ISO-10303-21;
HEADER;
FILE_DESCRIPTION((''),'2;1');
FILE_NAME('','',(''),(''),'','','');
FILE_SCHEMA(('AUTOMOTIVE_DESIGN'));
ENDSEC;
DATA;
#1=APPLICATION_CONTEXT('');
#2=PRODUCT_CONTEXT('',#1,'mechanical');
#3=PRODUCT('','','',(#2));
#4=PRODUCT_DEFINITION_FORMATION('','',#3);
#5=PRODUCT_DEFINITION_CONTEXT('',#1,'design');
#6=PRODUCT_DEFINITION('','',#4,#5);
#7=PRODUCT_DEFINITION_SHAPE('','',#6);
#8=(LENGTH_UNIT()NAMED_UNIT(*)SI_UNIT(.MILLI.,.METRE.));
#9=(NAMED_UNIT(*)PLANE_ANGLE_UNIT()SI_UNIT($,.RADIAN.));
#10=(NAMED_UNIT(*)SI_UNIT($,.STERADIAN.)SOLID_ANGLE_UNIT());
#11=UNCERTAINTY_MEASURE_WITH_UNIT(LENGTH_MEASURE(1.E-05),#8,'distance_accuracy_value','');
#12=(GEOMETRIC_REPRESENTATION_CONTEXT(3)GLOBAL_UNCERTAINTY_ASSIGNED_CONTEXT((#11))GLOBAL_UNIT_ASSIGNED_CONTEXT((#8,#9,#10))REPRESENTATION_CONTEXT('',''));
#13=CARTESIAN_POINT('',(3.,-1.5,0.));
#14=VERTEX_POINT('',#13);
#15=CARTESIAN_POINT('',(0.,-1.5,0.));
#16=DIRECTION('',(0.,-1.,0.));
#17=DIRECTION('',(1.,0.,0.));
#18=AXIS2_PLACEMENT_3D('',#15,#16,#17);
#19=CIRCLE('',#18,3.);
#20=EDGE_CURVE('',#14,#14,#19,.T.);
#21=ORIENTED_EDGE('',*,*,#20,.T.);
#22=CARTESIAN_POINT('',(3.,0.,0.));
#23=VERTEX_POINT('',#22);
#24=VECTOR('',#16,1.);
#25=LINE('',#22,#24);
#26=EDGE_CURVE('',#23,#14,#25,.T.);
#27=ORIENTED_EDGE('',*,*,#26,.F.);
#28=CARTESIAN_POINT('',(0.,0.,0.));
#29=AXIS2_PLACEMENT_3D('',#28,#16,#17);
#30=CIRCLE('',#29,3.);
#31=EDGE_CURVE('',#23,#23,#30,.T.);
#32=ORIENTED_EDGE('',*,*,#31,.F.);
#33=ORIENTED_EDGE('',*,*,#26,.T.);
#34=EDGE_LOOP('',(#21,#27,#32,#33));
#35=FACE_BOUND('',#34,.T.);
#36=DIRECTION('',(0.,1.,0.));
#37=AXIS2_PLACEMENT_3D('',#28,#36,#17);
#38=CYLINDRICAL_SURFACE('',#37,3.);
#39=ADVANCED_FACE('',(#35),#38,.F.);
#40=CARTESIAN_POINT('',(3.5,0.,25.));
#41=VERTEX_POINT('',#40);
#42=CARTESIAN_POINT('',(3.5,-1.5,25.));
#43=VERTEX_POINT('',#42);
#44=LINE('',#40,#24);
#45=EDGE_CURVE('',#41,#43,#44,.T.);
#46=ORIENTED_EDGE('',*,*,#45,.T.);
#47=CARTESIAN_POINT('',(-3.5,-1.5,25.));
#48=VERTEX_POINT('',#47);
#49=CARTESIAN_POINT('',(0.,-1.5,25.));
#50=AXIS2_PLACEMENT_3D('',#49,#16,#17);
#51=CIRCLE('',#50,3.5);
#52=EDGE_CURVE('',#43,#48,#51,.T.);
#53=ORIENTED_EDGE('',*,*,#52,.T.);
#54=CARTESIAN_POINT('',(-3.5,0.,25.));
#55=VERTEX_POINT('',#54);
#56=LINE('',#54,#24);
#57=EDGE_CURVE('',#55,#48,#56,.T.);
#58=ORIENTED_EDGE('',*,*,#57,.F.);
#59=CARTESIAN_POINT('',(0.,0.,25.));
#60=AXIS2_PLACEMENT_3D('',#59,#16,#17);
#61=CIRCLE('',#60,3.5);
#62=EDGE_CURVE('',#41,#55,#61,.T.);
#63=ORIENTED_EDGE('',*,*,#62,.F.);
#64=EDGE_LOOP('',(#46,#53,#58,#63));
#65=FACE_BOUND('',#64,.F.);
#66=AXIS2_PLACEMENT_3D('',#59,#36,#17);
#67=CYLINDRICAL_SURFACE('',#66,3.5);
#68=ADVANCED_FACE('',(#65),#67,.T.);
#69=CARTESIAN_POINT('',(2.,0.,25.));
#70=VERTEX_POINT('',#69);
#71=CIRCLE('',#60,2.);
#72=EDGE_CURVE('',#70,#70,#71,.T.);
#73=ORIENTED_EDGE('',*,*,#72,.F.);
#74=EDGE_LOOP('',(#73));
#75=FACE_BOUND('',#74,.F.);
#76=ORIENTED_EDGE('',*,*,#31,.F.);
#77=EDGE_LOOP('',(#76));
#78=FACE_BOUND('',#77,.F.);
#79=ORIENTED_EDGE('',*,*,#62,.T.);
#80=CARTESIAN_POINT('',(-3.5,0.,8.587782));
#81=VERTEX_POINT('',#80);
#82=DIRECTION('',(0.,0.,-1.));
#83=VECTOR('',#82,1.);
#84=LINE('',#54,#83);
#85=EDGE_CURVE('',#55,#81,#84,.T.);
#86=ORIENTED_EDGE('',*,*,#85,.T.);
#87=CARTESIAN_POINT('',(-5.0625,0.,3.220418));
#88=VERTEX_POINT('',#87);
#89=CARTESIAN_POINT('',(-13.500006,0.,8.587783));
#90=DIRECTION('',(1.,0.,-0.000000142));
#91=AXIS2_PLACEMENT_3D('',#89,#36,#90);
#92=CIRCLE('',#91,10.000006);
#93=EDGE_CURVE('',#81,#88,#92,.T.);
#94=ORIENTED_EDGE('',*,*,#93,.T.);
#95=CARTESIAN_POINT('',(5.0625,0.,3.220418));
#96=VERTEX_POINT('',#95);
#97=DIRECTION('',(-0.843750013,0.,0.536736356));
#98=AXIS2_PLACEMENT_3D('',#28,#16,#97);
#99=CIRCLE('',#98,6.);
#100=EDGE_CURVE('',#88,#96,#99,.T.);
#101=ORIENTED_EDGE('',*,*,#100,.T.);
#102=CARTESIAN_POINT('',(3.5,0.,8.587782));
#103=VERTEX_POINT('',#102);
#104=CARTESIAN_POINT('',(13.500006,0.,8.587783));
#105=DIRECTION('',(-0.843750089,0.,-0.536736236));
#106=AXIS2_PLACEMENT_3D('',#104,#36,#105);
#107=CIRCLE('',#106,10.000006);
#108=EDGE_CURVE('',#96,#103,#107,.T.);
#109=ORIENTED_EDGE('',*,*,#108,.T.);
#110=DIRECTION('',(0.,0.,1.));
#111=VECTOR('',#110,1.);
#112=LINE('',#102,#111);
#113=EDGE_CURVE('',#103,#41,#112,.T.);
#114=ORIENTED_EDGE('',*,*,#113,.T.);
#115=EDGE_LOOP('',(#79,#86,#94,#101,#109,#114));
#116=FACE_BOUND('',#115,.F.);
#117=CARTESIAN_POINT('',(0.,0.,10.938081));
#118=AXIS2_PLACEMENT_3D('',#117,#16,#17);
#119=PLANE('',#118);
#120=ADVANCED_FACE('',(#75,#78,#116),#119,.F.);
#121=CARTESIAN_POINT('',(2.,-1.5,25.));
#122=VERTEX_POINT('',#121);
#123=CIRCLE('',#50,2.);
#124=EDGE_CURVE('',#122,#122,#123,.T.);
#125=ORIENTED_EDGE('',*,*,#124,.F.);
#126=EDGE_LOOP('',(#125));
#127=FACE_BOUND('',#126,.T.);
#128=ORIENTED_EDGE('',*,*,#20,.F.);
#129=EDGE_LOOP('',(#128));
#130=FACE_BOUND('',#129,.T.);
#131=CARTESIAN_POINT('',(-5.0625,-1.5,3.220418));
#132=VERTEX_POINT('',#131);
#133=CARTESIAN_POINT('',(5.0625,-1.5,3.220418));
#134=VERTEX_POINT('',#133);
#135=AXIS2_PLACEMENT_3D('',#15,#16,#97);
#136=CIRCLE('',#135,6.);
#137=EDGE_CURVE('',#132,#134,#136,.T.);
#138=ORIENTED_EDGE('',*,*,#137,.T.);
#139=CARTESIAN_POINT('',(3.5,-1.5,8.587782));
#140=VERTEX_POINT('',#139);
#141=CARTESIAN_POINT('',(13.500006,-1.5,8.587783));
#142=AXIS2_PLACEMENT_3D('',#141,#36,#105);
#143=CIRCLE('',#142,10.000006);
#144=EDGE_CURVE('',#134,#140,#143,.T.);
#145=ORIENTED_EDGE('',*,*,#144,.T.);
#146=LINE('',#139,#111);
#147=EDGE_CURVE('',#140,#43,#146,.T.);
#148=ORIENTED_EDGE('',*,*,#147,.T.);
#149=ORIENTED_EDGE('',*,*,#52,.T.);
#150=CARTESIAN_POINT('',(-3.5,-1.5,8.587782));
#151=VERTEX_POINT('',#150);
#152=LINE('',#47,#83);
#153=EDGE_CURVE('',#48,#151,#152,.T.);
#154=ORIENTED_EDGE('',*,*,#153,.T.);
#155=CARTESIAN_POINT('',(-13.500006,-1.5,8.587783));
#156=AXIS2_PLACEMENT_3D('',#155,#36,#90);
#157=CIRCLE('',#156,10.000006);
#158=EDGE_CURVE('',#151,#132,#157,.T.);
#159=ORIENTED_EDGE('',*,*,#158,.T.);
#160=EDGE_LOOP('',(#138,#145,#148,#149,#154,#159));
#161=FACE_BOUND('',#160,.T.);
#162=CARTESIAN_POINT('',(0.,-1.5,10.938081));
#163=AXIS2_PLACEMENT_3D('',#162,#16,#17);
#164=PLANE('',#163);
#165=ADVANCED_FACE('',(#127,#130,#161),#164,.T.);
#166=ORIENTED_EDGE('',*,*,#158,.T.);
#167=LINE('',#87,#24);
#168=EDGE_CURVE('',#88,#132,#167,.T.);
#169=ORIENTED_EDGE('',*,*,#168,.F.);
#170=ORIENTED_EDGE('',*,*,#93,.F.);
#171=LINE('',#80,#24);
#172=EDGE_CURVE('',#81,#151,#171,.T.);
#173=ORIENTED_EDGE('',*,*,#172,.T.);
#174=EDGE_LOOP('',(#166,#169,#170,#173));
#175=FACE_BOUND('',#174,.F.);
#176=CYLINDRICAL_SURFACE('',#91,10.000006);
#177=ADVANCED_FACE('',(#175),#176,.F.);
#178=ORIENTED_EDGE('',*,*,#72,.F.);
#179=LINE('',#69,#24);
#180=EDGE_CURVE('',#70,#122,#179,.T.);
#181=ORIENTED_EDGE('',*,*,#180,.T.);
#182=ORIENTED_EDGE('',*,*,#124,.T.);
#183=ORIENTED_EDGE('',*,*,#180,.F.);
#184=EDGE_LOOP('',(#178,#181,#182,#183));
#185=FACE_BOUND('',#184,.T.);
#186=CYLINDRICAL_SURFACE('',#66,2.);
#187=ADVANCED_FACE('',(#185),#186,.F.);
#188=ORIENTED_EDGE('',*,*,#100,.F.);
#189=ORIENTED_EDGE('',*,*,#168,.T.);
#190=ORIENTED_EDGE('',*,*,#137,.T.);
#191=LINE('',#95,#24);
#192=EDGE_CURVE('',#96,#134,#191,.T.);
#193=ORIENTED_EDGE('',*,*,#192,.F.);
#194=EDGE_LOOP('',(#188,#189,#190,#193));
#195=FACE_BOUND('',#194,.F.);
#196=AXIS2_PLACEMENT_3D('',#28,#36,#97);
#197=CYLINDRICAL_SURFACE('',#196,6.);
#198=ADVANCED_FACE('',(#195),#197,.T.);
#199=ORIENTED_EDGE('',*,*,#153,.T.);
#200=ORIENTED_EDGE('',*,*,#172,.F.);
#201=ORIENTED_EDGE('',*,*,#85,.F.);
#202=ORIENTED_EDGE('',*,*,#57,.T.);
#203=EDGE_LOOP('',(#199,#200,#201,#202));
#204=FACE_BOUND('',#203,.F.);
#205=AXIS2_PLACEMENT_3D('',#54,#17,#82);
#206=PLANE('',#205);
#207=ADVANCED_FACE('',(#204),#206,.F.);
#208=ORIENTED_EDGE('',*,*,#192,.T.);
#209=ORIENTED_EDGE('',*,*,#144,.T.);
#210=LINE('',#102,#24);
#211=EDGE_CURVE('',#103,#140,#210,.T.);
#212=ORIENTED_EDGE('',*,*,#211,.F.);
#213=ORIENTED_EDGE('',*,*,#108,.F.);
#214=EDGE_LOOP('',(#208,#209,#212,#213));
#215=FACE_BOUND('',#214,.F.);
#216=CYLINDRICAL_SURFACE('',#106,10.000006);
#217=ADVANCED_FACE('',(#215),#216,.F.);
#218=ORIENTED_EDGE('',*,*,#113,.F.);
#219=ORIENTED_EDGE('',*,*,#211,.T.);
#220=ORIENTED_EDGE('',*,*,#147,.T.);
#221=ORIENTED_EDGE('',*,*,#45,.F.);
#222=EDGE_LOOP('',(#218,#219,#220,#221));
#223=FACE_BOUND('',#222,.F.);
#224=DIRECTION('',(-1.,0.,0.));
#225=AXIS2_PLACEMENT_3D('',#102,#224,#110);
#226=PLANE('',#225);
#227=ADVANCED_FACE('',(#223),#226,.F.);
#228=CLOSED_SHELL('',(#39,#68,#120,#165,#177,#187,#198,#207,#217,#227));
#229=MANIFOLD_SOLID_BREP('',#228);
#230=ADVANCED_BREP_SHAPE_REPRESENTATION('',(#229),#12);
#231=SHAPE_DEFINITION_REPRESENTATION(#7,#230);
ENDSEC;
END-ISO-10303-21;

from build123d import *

# Parameters (mm, degrees)
F0_R     = 3
F0_R_2   = 2
F1_DEPTH = 1.5


with BuildPart() as f1:
    # F0 (on Front) → F1 (new body)
    with BuildSketch(Plane.XZ):
        with BuildLine():
            ThreePointArc((3.5, 25), (0, 28.5), (-3.5, 25))
            Line((-3.5, 25), (-3.5, 8.587782))
            ThreePointArc((-3.5, 8.587782), (-3.898568, 5.792697), (-5.0625, 3.220418))
            ThreePointArc((-5.0625, 3.220418), (0, -6), (5.0625, 3.220418))
            ThreePointArc((5.0625, 3.220418), (3.898568, 5.792697), (3.5, 8.587782))
            Line((3.5, 8.587782), (3.5, 25))
        make_face()
        Circle(F0_R, mode=Mode.SUBTRACT)
        with Locations((0, 25)):
            Circle(F0_R_2, mode=Mode.SUBTRACT)
    extrude(amount=F1_DEPTH)


solid = f1.part
